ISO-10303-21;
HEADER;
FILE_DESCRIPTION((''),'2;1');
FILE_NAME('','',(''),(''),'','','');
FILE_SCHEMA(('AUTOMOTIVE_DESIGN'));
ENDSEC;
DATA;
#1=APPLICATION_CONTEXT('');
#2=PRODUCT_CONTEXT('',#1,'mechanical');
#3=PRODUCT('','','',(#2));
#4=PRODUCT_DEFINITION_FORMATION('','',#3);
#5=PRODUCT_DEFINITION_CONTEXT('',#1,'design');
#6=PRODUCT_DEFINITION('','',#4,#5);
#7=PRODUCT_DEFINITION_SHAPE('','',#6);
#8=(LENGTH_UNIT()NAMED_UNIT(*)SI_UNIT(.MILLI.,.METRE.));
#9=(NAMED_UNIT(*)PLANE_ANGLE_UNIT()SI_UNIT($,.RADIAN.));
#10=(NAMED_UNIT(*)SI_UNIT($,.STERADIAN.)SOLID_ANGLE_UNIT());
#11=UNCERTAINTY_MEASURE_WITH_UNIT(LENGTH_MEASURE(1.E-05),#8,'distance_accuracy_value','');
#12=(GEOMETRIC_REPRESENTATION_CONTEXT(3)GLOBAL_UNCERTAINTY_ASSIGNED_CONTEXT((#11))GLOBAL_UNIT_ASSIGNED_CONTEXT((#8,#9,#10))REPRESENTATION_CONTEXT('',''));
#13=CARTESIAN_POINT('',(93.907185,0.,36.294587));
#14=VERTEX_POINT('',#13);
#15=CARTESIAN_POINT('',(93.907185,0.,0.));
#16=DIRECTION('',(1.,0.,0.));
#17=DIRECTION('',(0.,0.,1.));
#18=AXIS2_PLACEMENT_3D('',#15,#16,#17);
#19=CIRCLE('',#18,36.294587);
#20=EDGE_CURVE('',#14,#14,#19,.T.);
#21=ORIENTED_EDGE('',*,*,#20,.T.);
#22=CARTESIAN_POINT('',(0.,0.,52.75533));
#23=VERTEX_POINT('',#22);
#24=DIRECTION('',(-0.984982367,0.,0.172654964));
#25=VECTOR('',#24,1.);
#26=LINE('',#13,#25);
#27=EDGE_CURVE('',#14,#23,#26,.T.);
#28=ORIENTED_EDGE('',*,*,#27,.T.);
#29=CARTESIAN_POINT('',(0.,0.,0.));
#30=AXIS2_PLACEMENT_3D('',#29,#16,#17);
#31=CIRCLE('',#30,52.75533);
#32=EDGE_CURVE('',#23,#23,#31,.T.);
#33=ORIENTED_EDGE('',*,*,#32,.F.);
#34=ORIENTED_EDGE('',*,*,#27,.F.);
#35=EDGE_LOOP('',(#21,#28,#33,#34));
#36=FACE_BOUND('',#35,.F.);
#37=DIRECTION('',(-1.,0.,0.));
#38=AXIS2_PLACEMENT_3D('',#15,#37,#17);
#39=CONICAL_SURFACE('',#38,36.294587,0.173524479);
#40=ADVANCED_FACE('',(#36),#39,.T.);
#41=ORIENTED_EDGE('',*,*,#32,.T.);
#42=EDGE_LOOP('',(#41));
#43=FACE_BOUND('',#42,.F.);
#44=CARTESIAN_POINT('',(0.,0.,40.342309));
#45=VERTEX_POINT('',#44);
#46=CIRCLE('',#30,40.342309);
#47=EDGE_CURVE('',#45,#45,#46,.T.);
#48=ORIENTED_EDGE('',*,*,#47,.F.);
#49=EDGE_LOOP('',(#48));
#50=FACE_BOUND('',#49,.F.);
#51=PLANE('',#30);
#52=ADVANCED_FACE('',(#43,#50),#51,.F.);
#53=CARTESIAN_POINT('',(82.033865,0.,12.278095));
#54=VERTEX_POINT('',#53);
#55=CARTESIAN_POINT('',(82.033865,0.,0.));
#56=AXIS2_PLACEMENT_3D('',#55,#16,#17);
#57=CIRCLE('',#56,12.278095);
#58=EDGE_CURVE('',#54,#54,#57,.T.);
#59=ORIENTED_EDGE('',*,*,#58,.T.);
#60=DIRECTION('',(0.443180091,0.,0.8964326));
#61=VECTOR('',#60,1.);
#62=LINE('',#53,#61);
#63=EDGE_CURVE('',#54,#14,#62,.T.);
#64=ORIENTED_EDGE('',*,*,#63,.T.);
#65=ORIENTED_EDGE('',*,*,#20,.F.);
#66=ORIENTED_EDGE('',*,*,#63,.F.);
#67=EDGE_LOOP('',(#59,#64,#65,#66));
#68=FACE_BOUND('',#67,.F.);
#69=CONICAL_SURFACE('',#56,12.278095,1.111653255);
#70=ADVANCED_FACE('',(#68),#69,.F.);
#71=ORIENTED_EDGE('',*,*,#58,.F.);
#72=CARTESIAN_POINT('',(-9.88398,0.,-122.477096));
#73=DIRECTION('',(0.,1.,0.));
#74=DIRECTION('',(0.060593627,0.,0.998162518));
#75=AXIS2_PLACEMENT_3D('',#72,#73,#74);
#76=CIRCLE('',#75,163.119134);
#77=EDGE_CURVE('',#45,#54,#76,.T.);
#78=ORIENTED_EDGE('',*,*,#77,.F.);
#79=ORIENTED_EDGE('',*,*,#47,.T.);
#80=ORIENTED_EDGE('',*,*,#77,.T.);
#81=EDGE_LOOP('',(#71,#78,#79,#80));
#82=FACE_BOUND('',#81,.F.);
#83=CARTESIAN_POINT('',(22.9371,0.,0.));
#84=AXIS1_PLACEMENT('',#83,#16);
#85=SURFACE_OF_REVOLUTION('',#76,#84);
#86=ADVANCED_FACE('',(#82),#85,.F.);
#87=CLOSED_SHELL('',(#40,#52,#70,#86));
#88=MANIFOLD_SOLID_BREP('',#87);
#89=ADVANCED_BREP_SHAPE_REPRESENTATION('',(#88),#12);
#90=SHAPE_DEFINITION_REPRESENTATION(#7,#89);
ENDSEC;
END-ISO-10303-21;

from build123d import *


with BuildPart() as f1:
    # F0 (on Front) → F1 (revolve)
    with BuildSketch(Plane.XZ):
        with BuildLine():
            ThreePointArc((0, 40.342309), (42.915669, 31.860355), (82.033865, 12.278095))
            Line((82.033865, 12.278095), (93.907185, 36.294587))
            Line((93.907185, 36.294587), (0, 52.75533))
            Line((0, 52.75533), (0, 40.342309))
        make_face()
    revolve(axis=Axis((22.9371, 0, 0), (1, 0, 0)))


solid = f1.part
